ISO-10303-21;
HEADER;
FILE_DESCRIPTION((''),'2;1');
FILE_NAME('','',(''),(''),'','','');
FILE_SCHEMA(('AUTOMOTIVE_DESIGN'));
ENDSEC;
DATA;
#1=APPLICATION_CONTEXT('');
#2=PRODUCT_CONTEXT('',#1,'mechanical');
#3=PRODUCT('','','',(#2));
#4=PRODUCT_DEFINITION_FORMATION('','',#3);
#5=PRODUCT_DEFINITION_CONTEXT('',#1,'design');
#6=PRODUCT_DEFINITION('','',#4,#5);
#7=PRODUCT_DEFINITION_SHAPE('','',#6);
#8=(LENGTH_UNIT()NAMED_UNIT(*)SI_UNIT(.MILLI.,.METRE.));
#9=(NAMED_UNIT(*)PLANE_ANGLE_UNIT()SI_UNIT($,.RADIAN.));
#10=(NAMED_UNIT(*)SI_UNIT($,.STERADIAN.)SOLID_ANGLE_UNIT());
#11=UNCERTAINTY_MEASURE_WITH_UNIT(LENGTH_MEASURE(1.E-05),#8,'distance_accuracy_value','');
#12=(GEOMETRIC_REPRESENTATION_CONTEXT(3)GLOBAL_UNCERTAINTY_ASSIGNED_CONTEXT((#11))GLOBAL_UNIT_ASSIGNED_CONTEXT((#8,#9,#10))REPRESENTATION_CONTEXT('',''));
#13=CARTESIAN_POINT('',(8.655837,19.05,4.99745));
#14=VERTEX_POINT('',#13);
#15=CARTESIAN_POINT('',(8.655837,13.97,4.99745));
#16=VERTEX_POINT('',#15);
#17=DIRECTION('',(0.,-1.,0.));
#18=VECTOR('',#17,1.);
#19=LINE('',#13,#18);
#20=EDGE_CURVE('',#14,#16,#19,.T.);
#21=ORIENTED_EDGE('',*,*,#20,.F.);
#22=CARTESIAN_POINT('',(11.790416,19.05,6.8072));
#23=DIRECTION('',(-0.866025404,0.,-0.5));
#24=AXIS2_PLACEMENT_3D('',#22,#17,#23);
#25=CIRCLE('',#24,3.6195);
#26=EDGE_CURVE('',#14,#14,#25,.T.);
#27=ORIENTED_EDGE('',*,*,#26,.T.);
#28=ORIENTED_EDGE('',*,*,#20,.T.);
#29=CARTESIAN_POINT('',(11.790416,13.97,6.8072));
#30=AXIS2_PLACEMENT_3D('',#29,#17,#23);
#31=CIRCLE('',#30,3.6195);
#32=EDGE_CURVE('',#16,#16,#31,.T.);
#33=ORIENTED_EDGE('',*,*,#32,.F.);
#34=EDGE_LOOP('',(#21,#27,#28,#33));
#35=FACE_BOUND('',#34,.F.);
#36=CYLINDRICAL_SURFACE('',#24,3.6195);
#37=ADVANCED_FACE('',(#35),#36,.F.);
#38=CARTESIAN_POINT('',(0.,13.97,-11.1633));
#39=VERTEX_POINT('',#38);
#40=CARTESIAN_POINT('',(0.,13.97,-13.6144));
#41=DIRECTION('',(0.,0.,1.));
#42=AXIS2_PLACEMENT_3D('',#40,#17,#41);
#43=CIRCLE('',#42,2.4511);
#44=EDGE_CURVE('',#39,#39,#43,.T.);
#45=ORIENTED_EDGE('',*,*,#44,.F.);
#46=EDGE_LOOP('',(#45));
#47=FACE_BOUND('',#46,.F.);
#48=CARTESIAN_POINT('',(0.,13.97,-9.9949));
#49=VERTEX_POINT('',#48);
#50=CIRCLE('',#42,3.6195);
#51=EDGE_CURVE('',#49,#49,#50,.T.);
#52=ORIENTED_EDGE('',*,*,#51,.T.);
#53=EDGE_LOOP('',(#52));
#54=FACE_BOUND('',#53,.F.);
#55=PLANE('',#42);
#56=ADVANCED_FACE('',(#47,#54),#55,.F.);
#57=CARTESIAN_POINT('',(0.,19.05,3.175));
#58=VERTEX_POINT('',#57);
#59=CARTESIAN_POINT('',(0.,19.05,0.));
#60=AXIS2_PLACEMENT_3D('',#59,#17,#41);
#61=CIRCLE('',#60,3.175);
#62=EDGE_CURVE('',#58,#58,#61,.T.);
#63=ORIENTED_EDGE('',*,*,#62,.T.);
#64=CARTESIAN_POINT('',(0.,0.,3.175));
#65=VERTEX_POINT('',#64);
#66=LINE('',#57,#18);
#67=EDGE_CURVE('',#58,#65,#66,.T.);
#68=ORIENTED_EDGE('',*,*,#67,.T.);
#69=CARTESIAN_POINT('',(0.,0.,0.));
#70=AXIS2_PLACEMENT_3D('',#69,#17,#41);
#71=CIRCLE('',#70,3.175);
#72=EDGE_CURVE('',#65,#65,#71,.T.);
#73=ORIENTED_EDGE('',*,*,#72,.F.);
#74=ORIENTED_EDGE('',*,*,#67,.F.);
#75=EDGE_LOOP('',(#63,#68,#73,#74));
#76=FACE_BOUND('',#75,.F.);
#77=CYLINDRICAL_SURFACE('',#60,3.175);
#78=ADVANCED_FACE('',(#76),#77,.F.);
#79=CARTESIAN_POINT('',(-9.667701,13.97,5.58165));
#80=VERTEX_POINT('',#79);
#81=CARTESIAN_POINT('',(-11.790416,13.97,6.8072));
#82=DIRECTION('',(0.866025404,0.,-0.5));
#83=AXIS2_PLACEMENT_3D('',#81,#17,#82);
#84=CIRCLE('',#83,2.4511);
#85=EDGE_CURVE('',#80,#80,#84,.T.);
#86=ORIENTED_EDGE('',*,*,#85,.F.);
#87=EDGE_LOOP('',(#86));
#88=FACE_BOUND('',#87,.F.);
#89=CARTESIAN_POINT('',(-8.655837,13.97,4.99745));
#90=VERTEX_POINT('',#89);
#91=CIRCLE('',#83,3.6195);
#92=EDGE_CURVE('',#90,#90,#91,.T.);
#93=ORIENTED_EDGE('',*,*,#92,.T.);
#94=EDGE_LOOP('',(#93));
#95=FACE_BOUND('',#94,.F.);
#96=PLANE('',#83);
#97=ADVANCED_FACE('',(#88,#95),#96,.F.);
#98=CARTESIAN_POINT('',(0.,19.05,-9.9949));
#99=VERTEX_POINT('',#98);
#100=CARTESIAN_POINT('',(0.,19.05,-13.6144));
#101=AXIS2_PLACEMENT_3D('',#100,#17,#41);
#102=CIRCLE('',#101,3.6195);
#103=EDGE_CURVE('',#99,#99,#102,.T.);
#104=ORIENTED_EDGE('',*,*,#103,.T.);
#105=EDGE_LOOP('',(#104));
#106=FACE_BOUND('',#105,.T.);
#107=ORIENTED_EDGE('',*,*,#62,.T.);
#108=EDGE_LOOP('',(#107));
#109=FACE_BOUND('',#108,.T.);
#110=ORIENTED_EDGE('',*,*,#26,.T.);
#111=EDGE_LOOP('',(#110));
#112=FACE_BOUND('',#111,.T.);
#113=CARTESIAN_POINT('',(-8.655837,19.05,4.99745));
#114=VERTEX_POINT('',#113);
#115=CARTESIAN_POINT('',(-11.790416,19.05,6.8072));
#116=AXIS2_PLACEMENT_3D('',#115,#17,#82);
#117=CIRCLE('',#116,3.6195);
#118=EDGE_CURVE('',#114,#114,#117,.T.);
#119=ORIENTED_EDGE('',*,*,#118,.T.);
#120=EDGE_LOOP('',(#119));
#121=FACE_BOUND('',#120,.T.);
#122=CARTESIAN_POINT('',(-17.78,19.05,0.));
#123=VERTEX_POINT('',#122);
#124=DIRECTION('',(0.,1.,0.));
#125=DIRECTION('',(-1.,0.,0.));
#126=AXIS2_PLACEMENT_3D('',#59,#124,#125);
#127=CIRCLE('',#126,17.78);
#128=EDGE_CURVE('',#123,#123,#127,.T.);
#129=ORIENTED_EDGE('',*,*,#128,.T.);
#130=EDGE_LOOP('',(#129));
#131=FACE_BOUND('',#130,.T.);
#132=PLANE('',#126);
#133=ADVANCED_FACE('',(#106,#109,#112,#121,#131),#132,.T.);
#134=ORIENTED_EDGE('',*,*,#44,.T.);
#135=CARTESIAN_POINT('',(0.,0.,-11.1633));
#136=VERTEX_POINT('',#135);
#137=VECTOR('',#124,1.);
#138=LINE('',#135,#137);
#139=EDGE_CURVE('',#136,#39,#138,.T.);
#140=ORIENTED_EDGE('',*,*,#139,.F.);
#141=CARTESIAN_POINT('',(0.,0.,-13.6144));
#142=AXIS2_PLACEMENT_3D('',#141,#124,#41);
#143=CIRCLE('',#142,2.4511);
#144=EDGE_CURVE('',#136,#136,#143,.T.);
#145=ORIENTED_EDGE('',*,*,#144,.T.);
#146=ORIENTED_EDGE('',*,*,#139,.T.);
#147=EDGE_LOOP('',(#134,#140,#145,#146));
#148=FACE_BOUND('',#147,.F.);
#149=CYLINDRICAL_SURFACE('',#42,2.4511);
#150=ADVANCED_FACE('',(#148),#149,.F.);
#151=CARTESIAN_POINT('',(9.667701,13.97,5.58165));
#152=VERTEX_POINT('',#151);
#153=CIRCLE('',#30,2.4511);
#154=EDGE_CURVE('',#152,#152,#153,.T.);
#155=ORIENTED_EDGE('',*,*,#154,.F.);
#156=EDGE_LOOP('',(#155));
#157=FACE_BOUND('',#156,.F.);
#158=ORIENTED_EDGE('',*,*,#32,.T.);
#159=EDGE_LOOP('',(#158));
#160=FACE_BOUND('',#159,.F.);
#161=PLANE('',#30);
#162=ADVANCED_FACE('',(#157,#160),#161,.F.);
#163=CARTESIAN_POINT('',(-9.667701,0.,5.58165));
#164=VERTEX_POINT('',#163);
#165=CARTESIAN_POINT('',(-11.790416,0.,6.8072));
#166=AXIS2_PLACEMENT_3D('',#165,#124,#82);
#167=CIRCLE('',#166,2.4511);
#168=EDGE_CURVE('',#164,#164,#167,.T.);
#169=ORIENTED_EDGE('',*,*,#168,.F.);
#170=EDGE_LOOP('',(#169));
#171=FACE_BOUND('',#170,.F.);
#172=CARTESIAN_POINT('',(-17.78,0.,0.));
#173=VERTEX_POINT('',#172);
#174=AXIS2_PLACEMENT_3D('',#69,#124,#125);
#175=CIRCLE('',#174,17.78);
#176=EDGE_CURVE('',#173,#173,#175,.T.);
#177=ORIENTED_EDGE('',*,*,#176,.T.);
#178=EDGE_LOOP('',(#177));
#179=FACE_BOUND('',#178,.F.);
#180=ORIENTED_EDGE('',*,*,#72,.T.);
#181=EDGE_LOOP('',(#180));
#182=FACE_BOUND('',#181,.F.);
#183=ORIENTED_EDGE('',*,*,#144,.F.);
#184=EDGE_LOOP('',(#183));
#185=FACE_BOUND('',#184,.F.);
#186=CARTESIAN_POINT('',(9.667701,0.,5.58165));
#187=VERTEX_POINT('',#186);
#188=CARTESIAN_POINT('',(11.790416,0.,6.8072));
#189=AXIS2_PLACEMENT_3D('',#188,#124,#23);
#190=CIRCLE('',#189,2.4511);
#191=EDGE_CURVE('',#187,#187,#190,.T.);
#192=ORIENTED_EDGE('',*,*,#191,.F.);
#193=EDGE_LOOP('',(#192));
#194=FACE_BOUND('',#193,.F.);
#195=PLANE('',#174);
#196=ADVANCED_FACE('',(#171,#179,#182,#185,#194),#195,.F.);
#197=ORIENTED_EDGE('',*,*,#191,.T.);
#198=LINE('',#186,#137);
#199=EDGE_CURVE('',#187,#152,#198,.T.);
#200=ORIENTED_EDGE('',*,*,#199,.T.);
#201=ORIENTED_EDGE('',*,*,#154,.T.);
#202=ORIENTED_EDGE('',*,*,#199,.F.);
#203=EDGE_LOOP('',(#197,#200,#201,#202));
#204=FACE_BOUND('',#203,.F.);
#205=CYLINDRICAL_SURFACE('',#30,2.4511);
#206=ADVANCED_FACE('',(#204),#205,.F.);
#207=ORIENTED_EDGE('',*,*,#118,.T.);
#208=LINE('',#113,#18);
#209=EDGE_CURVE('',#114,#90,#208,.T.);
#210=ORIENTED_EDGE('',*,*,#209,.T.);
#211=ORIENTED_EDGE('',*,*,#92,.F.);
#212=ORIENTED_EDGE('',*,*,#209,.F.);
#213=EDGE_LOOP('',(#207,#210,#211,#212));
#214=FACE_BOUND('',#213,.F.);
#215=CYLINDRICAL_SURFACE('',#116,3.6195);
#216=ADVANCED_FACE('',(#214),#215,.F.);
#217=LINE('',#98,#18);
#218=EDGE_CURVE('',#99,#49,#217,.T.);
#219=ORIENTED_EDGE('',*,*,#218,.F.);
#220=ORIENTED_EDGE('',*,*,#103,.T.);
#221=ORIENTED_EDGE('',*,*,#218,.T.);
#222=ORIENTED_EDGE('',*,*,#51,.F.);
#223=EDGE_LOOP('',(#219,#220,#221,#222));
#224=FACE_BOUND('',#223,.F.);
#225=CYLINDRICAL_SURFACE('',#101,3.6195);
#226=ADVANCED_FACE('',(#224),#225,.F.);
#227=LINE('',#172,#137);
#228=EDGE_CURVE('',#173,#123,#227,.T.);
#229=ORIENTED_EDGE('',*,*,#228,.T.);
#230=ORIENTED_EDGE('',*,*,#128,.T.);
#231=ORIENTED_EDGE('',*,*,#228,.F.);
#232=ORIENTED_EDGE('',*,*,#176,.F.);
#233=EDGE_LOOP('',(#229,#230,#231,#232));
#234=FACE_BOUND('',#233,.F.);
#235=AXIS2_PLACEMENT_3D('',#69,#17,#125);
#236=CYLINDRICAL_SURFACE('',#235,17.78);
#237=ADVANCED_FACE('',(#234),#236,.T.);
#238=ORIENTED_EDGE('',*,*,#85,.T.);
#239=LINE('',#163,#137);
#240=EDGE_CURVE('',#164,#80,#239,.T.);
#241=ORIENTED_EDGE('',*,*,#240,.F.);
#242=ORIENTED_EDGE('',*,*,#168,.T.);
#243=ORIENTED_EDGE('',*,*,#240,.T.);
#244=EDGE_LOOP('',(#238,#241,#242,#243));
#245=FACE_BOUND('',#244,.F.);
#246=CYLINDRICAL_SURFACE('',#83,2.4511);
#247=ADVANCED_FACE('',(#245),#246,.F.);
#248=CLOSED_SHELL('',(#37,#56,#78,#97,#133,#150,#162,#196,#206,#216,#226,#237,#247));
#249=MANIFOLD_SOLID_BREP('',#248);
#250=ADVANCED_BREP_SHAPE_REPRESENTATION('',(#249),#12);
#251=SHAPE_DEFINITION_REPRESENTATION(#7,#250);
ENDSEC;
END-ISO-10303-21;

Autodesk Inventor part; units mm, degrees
ref_plane "YZ Plane" through (0, 0, 0) normal (1, 0, 0) x (0, 1, 0)
ref_plane "XZ Plane" through (0, 0, 0) normal (0, 1, 0) x (-1, 0, 0)
ref_plane "XY Plane" through (0, 0, 0) normal (0, 0, 1) x (1, 0, 0)
sketch "Sketch1" plane through (0, 0, 0) normal (0, 1, 0) x (-1, 0, 0)
  line L0 (0, 0) -> (13.6144, 0)
  circle A0 centre (0, 0) radius 17.78
  dimension "d0" = 13.6144
  dimension "d1" = 35.56
extrude "Extrusion1" add sketch "Sketch1" along normal blind 19.05
sketch "Sketch3" plane through (0, 19.05, 0) normal (0, 1, 0) x (1, 0, 0)
  line L0 (0, 0) -> (0, 13.6144)
  line L1 (0, 0) -> (13.6144, 0) construction
  dimension "d4" = 13.6144
  dimension "d5" = 90
hole "Hole1" at (0, 19.05, -13.6144) direction (0, -1, 0) diameter 4.9022 end through all counterbore diameter 7.239 counterbore depth 5.08
sketch "Sketch4" plane through (0, 0, 0) normal (0, -1, 0) x (1, 0, 0)
  circle A0 centre (0, -13.6144) radius 2.4511 projected
  line L0 (0, 0) -> (0, -13.6144)
hole "Hole2" at (0, 0, -13.6144) direction (0, 1, 0) diameter 4.9022 depth 6.35
pattern_circular "Circular Pattern1" count 3 over 360 about axis through (0, 0, 0) along (0, 1, 0) of "Hole1", "Hole2"
sketch "Sketch6" plane through (0, 19.05, 0) normal (0, 1, 0) x (1, 0, 0)
  point P0 (0, 0)
  point P1 (0, 0)
hole "Hole3" at (0, 19.05, 0) direction (0, -1, 0) diameter 6.35 end through all
sketch "Sketch14" plane through (0, 0, 0) normal (0, -1, 0) x (1, 0, 0)
  circle A0 centre (11.7904, 6.8072) radius 2.4511 projected
  circle A1 centre (0, -13.6144) radius 2.4511 projected
  circle A2 centre (-11.7904, 6.8072) radius 2.4511 projected
  line L0 (11.7904, 6.8072) -> (0, 0)
  line L1 (0, 0) -> (11.7904, 6.8072)
  line L2 (-11.7904, 6.8072) -> (0, -13.6144)
  line L3 (0, -13.6144) -> (11.7904, 6.8072)
  line L4 (-11.7904, 6.8072) -> (11.7904, 6.8072)
  line L5 (-11.7904, 6.8072) -> (5.8952, -3.4036)
  line L6 (0, -13.6144) -> (0, 6.8072)
  line L7 (11.7904, 6.8072) -> (-5.8952, -3.4036)
  circle A3 centre (11.7904, 6.8072) radius 2.4511 projected
  line L8 (13.9131, 8.0328) -> (15.3979, 8.89)
  circle A4 centre (0, 0) radius 17.78 projected
  circle A5 centre (0, 0) radius 16.0655
properties part number "tablebackup"
